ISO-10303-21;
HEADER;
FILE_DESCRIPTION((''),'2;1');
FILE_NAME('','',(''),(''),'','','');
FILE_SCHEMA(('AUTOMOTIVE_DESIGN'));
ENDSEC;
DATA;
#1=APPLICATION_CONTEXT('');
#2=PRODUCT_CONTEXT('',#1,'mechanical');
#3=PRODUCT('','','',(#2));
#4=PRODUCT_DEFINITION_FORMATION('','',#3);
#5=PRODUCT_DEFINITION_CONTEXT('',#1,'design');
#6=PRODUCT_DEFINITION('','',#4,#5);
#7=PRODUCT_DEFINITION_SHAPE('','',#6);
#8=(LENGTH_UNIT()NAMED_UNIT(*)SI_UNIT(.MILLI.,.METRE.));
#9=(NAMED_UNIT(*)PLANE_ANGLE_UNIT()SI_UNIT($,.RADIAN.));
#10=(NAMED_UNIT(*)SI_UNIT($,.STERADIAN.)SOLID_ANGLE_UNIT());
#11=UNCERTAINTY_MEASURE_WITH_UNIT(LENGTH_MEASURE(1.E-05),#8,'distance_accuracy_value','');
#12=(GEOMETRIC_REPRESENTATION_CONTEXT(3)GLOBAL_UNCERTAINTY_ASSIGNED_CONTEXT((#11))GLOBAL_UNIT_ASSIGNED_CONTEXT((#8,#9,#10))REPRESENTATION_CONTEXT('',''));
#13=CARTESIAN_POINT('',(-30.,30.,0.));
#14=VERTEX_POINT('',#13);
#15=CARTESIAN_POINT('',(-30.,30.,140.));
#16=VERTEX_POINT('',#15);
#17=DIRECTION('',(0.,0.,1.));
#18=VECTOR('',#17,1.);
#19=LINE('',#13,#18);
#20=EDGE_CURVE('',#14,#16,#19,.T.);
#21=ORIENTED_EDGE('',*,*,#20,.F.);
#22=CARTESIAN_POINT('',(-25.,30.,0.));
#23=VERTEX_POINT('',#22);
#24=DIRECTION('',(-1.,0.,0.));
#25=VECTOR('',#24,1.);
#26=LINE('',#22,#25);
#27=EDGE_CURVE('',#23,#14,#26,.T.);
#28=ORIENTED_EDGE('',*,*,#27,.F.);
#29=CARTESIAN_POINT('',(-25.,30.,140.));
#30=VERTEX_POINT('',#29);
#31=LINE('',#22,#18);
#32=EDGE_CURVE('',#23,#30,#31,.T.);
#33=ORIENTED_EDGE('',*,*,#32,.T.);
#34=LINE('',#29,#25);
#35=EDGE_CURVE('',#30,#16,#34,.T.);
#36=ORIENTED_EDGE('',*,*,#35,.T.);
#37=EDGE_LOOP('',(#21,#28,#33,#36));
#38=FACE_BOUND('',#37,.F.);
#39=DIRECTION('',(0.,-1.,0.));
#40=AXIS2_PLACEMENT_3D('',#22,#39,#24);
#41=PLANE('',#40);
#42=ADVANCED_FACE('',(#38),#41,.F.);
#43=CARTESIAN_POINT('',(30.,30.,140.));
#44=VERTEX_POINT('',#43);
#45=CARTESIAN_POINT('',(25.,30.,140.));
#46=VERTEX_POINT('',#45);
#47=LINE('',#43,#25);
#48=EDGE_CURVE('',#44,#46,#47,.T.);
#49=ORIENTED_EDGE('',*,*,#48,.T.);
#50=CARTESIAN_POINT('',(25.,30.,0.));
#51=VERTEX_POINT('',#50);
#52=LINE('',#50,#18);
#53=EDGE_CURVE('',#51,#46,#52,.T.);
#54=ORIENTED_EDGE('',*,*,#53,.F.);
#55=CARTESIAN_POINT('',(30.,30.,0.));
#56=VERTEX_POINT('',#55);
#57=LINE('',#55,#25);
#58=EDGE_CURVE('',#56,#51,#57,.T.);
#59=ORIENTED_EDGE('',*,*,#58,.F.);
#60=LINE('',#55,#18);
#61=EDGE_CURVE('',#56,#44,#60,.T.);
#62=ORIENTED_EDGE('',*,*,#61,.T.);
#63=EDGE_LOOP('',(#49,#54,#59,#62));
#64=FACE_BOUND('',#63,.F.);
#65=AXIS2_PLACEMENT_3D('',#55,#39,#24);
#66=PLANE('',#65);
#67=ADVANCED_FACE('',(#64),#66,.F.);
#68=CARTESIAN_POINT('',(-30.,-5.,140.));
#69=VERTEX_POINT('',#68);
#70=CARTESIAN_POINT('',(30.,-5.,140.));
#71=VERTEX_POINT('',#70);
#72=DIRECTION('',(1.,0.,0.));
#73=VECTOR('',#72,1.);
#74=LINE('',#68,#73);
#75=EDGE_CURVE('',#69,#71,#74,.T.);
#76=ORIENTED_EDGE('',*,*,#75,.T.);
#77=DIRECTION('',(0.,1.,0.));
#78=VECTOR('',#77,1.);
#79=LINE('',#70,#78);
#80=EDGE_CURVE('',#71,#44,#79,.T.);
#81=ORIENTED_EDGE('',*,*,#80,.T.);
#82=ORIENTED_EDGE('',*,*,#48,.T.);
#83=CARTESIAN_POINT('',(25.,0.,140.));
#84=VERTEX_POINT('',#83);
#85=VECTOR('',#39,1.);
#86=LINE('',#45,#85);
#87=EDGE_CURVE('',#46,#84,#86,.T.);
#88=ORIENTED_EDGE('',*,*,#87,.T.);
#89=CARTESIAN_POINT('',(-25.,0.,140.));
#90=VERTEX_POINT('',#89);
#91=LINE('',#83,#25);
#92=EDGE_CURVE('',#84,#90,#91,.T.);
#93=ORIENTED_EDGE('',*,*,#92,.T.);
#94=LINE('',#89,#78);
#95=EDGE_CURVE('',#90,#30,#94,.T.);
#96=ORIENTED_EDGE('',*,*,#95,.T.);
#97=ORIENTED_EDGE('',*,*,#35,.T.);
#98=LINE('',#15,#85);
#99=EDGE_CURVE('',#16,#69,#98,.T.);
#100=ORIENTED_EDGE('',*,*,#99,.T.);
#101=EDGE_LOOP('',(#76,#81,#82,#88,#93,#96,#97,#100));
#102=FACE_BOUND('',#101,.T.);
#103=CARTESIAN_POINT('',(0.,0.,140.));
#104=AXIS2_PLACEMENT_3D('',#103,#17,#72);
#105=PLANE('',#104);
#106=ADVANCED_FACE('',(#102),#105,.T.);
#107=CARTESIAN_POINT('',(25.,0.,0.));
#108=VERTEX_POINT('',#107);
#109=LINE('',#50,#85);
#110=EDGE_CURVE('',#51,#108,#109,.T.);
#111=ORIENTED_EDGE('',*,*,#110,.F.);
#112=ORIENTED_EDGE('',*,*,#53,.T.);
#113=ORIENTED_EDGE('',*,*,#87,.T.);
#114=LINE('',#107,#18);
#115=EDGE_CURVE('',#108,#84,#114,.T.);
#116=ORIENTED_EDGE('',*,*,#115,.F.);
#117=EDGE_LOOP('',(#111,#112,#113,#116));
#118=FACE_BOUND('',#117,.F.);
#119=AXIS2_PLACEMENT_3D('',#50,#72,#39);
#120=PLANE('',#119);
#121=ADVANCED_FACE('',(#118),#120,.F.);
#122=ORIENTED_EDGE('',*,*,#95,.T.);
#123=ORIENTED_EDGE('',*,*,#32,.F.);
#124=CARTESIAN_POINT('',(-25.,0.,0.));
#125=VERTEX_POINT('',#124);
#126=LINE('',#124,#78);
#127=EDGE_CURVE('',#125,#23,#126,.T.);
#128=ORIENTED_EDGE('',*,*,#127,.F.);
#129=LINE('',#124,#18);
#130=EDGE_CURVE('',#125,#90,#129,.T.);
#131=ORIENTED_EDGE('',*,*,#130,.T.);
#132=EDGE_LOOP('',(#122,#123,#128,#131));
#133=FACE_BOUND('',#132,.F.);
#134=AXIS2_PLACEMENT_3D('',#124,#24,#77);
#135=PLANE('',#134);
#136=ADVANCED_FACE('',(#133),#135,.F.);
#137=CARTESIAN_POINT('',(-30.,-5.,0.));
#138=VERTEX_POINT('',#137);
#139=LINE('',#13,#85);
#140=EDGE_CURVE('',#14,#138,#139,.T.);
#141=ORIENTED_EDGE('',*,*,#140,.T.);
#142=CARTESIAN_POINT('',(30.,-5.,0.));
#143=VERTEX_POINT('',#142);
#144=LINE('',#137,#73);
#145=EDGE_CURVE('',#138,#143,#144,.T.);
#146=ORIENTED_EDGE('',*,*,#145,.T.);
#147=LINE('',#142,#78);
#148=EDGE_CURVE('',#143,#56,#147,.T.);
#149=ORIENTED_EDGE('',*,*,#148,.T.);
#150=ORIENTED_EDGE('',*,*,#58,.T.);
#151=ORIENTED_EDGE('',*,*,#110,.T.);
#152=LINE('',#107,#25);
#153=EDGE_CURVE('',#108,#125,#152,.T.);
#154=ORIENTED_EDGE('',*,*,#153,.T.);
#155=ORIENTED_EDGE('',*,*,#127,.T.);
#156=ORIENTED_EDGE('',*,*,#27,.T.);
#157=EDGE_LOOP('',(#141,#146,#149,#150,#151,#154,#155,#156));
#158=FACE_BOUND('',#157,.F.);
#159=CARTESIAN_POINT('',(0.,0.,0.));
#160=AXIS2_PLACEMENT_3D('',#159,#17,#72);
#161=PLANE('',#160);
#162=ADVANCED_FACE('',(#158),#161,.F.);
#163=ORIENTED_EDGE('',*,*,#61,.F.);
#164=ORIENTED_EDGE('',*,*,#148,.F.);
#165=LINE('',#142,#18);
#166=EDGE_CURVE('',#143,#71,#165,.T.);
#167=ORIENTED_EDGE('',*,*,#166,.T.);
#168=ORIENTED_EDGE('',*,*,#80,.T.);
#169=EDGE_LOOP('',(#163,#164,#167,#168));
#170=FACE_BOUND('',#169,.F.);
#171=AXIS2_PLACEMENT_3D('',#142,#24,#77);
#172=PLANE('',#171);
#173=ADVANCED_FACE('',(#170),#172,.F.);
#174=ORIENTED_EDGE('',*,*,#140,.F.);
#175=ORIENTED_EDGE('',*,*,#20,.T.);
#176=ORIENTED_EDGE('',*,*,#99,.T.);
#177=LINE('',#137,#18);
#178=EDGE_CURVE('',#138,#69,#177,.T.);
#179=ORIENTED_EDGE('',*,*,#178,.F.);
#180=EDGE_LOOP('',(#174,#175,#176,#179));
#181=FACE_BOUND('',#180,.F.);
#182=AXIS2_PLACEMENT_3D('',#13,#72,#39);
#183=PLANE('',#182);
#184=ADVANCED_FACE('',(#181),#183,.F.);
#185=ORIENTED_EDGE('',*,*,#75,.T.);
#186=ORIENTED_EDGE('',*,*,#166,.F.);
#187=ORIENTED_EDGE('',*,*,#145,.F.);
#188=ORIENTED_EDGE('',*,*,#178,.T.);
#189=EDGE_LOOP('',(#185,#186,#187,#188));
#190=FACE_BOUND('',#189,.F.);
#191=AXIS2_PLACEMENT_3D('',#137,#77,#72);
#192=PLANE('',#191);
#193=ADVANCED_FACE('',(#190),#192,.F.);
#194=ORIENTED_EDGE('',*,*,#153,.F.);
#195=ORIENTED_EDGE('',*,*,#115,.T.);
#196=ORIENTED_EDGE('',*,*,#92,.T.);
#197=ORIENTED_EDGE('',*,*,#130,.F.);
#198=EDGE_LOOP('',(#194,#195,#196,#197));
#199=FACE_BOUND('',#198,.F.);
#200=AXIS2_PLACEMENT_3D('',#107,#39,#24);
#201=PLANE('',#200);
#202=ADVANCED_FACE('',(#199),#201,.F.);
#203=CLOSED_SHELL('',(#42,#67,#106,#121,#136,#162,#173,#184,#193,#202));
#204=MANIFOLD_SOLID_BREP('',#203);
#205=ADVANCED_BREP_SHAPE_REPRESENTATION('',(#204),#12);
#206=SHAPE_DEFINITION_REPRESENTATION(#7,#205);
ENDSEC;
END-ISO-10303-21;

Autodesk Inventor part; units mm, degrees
ref_plane "YZ Plane" through (0, 0, 0) normal (1, 0, 0) x (0, 1, 0)
ref_plane "XZ Plane" through (0, 0, 0) normal (0, 1, 0) x (-1, 0, 0)
ref_plane "XY Plane" through (0, 0, 0) normal (0, 0, 1) x (1, 0, 0)
sketch "Sketch1" plane through (0, 0, 0) normal (0, 0, 1) x (1, 0, 0)
  line L0 (25, 0) -> (-25, 0)
  line L1 (-25, 0) -> (-25, 30)
  line L2 (-25, 30) -> (-30, 30)
  line L3 (-30, 30) -> (-30, -5)
  line L4 (-30, -5) -> (30, -5)
  line L5 (30, -5) -> (30, 30)
  line L6 (30, 30) -> (25, 30)
  line L7 (25, 30) -> (25, 0)
  point P0 (0, 0)
  dimension "d0" = 50
  dimension "d1" = 30
  dimension "d2" = 5
  dimension "d3" = 35
  dimension "d4" = 60
  dimension "d5" = 35
  dimension "d6" = 5
extrude "Extrusion1" add sketch "Sketch1" along normal blind 140
properties part number "track z2229"
